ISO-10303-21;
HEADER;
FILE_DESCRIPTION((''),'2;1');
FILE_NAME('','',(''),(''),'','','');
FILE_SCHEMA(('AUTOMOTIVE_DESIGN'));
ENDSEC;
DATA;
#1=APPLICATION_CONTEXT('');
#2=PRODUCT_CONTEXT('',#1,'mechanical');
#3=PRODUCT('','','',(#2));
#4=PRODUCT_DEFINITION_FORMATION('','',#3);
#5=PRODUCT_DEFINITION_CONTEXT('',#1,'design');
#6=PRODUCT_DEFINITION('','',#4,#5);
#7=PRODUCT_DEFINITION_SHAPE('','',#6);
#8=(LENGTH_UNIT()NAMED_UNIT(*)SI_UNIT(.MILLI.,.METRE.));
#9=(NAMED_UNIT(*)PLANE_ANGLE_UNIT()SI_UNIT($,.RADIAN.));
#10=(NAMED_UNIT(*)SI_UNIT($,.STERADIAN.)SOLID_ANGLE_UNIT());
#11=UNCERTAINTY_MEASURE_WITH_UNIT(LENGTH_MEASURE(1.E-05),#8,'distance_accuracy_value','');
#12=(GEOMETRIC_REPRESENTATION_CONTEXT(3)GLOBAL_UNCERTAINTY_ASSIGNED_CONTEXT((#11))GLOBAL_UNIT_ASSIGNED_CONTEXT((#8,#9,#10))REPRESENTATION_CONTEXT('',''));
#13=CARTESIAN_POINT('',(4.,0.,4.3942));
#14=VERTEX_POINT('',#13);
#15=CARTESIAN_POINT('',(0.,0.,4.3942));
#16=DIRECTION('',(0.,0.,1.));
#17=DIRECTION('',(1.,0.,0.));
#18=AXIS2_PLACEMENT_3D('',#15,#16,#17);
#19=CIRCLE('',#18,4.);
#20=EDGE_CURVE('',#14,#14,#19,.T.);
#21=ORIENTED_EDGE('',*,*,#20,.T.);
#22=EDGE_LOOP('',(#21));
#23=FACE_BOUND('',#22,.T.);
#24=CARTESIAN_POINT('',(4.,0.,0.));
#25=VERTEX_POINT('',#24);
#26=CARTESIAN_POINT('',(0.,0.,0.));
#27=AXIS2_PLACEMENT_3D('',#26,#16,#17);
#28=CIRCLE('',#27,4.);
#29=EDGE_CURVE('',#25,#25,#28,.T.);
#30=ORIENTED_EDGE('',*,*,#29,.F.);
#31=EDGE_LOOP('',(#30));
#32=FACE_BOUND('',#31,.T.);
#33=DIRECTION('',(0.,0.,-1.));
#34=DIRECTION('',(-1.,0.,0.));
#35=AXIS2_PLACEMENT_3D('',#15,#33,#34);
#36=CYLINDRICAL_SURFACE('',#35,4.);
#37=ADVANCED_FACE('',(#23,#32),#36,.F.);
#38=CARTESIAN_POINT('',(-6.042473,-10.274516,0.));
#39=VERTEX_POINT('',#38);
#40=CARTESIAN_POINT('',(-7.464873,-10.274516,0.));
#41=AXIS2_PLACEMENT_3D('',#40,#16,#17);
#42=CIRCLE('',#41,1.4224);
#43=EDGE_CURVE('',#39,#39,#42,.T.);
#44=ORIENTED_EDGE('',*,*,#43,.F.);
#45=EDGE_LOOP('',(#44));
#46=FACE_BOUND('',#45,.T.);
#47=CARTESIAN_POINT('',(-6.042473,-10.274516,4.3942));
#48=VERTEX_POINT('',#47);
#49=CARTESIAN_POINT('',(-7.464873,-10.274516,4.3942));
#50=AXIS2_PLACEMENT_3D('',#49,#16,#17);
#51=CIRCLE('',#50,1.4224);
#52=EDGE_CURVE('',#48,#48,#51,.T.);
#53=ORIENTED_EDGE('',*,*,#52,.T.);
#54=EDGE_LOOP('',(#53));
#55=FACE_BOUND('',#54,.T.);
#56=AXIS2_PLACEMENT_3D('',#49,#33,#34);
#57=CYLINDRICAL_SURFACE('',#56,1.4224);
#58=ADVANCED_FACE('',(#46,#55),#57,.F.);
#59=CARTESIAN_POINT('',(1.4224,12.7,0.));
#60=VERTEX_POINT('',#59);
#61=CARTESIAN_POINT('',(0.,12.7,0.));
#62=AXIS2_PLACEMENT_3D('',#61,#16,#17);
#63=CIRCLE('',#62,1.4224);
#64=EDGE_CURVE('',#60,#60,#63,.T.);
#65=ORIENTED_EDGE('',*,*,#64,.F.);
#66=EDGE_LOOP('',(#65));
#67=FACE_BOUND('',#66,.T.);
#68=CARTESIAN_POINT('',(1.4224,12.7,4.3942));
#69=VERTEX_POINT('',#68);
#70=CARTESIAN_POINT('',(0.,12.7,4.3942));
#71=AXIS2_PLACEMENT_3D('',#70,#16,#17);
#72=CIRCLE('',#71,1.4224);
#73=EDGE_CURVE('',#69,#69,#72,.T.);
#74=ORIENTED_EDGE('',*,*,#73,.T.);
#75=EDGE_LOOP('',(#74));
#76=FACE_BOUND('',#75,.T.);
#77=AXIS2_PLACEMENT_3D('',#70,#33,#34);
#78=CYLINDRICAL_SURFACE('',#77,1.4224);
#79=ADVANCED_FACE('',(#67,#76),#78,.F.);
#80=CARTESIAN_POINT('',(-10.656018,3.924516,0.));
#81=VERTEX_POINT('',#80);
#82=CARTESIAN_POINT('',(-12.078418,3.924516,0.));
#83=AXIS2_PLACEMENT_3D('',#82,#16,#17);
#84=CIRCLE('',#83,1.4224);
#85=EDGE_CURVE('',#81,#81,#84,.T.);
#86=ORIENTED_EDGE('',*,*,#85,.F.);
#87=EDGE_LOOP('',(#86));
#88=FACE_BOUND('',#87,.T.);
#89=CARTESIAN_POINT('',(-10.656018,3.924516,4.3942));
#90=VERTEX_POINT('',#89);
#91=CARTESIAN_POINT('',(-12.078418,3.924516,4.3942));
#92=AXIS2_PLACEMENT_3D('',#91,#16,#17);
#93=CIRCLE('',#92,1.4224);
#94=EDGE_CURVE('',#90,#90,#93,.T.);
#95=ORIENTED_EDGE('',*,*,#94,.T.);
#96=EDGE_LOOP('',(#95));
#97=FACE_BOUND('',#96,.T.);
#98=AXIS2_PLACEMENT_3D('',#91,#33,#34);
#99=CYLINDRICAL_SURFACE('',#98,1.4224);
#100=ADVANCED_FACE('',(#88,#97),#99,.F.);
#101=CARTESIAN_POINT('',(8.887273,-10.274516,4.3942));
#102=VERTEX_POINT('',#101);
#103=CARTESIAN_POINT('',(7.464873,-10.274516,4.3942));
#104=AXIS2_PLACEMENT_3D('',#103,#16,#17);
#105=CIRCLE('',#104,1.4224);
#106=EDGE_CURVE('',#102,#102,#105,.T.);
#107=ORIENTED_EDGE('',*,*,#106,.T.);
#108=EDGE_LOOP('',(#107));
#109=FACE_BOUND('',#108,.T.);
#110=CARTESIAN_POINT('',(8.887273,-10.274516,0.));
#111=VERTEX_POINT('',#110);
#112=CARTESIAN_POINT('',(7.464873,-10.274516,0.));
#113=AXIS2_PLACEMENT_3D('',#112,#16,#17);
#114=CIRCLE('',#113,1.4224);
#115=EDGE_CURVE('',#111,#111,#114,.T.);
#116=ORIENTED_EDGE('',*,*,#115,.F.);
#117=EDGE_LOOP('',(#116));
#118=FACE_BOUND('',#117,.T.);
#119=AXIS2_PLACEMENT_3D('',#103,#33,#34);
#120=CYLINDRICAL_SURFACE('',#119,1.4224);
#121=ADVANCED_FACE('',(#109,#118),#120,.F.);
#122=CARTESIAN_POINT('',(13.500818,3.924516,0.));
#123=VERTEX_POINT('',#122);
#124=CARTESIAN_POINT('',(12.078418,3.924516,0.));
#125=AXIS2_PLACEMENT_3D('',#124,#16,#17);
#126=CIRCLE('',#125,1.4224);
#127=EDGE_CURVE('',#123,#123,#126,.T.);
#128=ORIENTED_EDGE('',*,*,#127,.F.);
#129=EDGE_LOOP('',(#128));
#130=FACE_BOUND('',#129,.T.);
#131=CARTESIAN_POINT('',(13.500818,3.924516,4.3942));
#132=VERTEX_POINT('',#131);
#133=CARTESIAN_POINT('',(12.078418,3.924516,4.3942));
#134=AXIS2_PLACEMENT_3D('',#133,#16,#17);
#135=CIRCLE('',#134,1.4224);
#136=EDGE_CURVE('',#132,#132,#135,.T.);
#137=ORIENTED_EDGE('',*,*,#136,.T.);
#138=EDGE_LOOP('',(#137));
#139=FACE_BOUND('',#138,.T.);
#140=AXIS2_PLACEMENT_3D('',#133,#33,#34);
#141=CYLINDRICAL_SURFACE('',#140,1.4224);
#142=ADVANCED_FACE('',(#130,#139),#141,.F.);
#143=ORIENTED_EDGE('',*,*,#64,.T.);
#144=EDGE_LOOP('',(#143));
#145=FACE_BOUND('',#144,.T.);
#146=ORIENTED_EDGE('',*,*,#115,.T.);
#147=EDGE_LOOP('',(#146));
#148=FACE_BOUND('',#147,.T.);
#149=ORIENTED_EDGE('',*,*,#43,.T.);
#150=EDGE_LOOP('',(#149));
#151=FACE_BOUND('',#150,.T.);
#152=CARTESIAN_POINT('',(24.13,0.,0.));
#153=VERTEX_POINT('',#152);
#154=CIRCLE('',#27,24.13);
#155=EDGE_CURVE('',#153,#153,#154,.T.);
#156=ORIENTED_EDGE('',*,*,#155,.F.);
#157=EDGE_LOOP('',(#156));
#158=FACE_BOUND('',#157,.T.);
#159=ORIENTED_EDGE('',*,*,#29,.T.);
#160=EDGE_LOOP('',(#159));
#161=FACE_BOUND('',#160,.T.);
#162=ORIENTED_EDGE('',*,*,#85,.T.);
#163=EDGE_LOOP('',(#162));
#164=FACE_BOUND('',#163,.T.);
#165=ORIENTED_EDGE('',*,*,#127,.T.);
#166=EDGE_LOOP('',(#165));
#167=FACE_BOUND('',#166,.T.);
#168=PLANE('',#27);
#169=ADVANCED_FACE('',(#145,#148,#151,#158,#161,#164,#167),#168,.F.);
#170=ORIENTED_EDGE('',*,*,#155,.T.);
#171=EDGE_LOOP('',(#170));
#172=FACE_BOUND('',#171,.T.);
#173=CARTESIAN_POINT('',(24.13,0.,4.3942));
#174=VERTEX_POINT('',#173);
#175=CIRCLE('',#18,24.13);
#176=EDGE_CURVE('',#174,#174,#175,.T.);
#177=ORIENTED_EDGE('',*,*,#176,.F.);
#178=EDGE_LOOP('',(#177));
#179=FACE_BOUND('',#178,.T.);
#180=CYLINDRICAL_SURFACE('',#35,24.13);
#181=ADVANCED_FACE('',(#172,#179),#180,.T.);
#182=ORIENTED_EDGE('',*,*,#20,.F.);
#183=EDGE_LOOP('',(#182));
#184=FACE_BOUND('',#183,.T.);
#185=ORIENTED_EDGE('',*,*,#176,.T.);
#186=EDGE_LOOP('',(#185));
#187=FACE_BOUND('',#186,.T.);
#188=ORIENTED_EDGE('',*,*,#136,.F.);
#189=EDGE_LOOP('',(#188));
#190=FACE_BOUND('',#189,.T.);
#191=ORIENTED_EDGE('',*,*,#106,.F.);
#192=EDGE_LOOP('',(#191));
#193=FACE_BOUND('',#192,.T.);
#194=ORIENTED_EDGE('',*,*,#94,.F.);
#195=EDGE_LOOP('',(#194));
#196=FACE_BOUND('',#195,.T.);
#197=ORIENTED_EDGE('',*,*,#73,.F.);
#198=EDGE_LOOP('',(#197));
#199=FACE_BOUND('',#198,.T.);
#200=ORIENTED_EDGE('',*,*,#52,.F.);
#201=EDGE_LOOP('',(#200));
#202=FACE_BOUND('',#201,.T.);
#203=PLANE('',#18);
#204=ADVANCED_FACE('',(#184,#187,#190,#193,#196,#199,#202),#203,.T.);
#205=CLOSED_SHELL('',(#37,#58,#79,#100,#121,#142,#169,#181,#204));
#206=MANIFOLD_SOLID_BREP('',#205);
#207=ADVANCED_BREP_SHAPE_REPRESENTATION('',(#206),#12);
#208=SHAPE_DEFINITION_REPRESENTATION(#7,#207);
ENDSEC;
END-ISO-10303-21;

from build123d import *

# Parameters (mm, degrees)
SKETCH1_R           = 24.13
SKETCH1_R_2         = 1.4224
SKETCH1_R_3         = 4
BOSS_EXTRUDE1_DEPTH = 4.3942


with BuildPart() as part:
    # Sketch1 → Boss-Extrude1 (new body)
    with BuildSketch(Plane.XY):
        Circle(SKETCH1_R)
        with Locations((0, 12.7)):
            Circle(SKETCH1_R_2, mode=Mode.SUBTRACT)
        with Locations((12.078417757, 3.924515829)):
            Circle(SKETCH1_R_2, mode=Mode.SUBTRACT)
        with Locations((7.464872704, -10.274515829)):
            Circle(SKETCH1_R_2, mode=Mode.SUBTRACT)
        with Locations((-7.464872704, -10.274515829)):
            Circle(SKETCH1_R_2, mode=Mode.SUBTRACT)
        with Locations((-12.078417757, 3.924515829)):
            Circle(SKETCH1_R_2, mode=Mode.SUBTRACT)
        Circle(SKETCH1_R_3, mode=Mode.SUBTRACT)
    extrude(amount=BOSS_EXTRUDE1_DEPTH)


solid = part.part
